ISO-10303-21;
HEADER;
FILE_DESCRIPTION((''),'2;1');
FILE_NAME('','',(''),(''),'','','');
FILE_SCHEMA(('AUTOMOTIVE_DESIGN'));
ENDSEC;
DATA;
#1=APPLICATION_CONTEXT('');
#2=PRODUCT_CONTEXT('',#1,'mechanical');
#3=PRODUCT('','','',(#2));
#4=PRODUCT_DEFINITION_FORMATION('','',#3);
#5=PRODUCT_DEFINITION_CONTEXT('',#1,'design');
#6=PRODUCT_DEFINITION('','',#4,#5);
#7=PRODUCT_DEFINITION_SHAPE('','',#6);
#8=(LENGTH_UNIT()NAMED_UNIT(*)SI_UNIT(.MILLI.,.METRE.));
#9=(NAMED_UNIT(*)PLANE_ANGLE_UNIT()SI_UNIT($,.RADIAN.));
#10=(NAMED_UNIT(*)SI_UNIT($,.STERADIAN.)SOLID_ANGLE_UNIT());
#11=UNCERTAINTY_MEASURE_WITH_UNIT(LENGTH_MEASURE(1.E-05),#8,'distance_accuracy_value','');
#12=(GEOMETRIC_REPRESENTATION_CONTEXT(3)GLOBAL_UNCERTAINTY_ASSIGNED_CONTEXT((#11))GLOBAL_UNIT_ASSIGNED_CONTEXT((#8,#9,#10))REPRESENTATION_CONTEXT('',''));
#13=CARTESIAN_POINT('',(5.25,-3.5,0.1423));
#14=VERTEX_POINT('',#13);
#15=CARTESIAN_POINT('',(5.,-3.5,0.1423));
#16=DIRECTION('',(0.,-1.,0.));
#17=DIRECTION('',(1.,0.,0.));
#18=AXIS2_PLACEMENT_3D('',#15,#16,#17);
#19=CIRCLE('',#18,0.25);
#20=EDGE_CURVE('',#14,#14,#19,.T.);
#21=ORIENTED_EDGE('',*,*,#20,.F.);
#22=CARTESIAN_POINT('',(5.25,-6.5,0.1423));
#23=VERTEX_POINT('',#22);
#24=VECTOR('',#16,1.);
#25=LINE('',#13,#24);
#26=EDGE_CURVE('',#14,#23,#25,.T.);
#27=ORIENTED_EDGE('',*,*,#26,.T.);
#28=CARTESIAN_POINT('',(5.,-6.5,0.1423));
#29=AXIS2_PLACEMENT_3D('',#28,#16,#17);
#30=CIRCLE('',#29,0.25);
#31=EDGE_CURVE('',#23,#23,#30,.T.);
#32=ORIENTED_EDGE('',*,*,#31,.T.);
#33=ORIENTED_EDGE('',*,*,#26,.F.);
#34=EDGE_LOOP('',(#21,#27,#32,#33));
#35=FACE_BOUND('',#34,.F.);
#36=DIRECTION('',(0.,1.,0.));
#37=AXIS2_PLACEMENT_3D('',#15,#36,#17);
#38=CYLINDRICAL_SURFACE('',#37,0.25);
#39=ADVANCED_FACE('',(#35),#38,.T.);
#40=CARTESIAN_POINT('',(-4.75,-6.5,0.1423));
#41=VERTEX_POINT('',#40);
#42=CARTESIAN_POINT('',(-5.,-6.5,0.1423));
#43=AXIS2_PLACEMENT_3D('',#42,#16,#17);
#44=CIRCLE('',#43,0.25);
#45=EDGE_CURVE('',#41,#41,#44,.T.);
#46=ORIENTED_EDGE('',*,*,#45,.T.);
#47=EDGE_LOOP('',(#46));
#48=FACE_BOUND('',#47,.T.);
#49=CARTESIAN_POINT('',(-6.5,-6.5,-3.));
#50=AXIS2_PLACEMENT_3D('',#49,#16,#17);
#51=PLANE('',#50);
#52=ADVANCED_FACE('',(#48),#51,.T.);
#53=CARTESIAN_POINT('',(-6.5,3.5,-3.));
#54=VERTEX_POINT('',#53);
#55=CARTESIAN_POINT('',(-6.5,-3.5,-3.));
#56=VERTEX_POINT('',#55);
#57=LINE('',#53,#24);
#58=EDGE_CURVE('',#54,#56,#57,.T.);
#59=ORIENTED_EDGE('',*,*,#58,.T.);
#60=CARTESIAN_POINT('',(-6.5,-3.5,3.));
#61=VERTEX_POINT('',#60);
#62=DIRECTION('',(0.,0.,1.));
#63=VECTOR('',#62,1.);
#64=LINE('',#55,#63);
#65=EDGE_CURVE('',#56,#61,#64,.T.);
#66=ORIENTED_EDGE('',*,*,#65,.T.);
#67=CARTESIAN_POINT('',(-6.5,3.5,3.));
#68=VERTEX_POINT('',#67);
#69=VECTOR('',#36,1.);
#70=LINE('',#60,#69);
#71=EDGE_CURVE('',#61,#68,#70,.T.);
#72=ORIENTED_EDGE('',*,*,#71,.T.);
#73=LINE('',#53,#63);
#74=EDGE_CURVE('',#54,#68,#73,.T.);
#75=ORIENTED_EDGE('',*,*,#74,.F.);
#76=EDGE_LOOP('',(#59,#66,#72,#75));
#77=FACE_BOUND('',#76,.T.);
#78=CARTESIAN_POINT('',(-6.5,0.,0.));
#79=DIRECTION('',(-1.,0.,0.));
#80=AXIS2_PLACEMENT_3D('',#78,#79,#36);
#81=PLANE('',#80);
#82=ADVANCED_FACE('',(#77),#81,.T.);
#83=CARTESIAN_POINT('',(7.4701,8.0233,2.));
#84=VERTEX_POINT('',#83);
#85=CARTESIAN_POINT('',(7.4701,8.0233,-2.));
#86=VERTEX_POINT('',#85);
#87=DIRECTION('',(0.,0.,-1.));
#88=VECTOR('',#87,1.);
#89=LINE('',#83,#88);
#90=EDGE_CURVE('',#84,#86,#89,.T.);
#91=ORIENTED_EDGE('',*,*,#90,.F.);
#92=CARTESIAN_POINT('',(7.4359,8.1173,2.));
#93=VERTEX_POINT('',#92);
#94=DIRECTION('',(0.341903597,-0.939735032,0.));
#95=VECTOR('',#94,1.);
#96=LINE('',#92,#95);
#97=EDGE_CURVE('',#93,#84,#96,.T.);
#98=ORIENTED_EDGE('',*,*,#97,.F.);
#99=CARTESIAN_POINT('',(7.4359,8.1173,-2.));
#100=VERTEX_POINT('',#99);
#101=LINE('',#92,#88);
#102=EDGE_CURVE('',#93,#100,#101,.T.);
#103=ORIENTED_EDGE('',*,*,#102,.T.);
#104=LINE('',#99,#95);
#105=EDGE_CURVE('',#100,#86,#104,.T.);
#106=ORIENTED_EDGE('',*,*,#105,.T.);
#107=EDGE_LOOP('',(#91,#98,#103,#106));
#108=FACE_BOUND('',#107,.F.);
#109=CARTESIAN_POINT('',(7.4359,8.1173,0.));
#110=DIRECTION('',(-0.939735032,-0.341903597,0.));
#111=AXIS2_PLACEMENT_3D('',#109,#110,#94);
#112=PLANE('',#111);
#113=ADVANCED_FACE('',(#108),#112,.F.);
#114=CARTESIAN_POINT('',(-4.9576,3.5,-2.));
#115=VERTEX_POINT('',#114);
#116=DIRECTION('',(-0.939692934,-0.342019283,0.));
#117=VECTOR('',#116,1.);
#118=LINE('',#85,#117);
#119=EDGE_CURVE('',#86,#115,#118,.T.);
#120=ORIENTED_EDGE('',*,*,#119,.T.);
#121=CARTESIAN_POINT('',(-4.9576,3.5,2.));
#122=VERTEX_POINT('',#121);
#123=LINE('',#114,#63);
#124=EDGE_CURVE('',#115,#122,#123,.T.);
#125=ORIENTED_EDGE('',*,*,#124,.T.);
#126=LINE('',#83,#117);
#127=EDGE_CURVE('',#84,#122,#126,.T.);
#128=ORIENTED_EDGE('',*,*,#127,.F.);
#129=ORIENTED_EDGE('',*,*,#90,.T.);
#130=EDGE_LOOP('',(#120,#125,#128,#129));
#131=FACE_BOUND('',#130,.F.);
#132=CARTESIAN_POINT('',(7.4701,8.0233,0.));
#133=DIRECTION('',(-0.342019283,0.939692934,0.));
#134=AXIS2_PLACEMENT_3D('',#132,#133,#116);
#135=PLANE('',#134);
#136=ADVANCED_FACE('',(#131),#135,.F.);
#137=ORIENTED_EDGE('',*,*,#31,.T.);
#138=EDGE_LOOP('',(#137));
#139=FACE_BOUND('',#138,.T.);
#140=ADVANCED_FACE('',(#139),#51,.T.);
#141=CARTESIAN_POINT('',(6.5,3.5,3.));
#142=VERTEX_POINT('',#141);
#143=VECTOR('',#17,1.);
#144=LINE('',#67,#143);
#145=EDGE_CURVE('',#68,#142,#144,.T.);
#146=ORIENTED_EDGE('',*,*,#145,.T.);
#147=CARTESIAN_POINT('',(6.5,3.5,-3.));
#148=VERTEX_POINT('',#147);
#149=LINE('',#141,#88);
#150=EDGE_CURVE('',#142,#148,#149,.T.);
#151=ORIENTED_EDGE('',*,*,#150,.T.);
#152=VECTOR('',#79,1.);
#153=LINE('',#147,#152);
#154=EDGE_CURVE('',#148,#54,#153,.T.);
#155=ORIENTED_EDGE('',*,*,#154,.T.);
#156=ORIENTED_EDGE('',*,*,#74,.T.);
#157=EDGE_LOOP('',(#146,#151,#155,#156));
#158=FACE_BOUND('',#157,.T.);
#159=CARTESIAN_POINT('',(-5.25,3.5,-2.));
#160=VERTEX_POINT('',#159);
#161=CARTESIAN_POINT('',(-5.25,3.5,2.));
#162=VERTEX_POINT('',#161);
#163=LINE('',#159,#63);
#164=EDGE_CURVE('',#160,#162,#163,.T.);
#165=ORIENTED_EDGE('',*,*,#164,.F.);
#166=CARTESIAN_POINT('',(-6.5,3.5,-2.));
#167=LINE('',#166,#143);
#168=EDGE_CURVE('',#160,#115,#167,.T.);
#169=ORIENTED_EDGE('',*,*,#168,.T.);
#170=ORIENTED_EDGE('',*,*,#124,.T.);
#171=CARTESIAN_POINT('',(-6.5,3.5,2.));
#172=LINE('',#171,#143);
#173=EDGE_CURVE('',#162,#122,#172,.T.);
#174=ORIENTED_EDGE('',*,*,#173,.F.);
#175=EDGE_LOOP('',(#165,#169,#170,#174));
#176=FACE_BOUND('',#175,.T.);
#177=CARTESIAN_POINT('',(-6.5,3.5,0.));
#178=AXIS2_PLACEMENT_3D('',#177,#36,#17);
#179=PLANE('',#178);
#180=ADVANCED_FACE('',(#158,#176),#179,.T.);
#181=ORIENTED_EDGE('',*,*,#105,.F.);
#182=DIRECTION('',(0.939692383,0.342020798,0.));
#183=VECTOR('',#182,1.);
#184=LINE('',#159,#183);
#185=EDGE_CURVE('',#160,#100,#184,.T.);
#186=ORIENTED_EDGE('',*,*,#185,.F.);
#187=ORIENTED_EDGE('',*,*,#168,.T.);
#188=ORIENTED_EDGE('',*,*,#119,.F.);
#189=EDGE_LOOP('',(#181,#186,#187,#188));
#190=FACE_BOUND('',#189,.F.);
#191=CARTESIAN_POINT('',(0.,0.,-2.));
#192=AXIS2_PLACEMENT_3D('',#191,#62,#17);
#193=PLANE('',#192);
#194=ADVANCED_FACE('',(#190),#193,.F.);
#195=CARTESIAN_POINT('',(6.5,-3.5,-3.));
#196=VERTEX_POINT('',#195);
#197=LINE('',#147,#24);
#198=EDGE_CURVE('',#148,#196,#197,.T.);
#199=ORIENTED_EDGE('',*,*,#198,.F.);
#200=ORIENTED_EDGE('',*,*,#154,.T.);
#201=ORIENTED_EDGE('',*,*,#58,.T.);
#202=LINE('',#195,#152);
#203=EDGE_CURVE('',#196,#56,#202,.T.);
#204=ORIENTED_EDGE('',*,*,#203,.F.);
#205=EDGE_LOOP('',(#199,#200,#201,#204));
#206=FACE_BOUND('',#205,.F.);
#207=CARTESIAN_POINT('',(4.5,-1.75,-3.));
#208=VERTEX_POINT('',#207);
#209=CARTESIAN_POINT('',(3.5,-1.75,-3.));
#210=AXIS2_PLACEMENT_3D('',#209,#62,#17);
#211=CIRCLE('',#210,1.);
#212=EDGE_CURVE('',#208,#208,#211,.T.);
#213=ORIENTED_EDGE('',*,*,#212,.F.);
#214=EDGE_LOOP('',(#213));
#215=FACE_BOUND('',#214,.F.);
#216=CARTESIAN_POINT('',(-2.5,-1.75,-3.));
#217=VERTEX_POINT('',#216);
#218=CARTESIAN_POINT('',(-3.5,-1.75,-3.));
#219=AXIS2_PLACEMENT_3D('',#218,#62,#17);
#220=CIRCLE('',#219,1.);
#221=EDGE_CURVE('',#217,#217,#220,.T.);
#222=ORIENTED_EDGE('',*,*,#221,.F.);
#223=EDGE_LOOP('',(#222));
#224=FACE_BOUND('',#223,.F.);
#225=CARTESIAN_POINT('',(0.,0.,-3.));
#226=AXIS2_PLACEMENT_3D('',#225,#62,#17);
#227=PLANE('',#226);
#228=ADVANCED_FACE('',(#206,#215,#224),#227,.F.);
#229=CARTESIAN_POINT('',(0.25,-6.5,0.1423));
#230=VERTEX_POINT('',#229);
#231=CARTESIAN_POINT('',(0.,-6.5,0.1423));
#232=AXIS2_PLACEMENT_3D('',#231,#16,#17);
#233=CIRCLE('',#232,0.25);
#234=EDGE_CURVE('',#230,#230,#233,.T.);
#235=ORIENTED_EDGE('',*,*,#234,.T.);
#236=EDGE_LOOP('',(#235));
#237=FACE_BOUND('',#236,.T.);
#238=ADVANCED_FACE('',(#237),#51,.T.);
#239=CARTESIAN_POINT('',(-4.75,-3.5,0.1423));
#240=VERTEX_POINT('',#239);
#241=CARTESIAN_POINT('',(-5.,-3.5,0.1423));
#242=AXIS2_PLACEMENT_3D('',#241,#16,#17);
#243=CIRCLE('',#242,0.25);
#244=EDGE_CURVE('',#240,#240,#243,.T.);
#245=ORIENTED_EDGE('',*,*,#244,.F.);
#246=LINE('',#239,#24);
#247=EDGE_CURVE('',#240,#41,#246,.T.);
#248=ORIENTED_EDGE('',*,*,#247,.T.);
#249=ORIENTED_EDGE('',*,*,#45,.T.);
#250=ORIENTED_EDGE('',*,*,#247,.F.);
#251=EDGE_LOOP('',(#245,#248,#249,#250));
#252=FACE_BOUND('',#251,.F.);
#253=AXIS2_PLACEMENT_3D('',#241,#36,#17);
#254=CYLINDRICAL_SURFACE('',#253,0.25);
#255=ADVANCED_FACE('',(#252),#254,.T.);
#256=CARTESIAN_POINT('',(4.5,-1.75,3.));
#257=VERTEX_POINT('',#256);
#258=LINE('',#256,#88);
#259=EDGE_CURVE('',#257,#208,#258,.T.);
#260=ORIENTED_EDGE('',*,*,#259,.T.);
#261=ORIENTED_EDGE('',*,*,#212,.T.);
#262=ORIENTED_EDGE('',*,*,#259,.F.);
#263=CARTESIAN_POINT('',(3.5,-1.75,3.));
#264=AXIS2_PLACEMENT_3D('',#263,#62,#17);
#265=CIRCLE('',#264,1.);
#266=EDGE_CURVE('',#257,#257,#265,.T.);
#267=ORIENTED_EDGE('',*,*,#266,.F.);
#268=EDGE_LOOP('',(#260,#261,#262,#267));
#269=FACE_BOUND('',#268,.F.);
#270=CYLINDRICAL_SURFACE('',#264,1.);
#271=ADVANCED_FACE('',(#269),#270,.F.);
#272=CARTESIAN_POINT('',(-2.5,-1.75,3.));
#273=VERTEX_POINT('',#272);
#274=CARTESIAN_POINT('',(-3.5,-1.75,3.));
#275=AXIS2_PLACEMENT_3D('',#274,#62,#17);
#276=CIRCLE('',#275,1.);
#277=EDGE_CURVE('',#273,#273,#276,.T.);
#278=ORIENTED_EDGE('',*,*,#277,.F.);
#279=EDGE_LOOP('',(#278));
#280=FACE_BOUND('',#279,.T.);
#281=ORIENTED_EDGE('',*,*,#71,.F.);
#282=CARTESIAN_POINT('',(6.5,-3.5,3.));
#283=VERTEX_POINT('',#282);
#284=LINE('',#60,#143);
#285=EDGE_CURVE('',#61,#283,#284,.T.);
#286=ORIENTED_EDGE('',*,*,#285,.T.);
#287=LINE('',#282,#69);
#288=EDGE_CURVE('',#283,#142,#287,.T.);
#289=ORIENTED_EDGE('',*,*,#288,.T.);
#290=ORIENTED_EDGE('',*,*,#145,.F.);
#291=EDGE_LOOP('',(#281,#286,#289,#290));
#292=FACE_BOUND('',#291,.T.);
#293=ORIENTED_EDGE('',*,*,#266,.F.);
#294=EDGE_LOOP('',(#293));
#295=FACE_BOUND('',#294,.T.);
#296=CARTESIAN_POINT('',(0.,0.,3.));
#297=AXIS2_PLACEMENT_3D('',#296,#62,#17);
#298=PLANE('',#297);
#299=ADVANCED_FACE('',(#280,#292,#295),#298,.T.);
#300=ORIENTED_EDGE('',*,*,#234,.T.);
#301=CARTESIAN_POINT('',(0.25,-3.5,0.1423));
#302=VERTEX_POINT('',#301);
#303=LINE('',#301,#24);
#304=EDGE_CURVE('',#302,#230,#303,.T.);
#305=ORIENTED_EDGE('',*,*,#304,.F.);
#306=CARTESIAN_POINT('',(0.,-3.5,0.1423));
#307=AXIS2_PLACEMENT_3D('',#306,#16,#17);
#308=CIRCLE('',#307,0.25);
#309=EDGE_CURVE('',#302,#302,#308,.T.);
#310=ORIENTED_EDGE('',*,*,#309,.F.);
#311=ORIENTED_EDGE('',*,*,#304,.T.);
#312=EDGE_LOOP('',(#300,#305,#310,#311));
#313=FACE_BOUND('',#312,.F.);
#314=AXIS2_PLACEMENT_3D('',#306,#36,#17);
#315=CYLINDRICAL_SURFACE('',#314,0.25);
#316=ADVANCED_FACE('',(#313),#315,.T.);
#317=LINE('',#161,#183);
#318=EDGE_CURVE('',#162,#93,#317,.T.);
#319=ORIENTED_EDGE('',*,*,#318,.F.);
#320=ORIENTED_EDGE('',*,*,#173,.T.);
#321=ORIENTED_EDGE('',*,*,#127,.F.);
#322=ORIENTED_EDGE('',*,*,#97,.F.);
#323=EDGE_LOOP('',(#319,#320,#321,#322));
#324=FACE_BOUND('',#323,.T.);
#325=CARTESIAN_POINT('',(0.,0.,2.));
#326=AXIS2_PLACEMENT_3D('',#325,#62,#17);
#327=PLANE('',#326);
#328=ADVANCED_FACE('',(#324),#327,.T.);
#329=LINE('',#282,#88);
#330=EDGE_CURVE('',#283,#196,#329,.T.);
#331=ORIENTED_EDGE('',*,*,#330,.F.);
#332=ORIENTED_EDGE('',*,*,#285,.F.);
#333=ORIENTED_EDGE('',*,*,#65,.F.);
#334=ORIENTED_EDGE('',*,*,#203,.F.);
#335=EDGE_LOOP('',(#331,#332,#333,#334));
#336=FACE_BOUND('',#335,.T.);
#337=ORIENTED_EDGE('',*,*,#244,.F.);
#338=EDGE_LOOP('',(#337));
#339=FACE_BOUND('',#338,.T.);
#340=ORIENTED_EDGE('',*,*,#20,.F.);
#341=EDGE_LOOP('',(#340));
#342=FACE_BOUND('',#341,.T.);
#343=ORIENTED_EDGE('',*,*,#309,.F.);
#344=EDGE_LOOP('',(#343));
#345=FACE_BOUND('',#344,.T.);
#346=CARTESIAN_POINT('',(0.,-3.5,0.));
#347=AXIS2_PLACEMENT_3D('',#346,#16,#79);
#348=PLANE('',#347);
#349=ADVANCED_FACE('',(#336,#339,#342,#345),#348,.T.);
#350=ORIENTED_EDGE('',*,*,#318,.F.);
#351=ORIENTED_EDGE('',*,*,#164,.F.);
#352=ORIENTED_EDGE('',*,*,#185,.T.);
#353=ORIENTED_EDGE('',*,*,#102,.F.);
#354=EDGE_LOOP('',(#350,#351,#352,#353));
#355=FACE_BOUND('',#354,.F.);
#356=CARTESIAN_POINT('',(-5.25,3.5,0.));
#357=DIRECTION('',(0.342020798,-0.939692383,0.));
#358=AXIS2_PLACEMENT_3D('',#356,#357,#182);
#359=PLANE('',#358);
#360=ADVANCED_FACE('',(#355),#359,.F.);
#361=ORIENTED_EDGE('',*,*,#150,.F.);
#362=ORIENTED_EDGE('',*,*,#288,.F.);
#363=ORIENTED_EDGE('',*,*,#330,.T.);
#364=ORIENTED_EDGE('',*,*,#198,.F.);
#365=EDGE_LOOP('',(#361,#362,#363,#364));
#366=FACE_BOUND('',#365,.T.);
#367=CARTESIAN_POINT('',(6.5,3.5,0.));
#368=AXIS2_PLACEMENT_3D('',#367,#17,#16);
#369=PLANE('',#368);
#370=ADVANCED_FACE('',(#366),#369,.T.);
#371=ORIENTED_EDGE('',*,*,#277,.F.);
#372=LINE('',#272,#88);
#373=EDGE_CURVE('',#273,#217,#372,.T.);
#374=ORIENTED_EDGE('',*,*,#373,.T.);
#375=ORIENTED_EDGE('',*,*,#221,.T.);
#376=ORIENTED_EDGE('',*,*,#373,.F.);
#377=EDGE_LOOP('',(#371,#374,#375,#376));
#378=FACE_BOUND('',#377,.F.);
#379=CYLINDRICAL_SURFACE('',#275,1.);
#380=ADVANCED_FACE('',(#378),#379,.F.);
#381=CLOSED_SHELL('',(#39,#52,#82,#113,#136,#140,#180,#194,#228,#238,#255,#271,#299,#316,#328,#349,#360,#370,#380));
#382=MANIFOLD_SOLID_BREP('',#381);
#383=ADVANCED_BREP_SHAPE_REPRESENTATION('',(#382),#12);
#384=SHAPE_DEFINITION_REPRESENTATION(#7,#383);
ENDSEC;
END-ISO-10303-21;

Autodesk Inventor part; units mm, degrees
ref_plane "YZ Plane" through (0, 0, 0) normal (1, 0, 0) x (0, 1, 0)
ref_plane "XZ Plane" through (0, 0, 0) normal (0, 1, 0) x (-1, 0, 0)
ref_plane "XY Plane" through (0, 0, 0) normal (0, 0, 1) x (1, 0, 0)
sketch "Boceto1" plane through (0, 0, 0) normal (0, 0, 1) x (1, 0, 0)
  line L0 (-6.5, 3.5) -> (6.5, 3.5)
  line L1 (6.5, 3.5) -> (6.5, -3.5)
  line L2 (6.5, -3.5) -> (-6.5, -3.5)
  line L3 (-6.5, -3.5) -> (-6.5, 3.5)
  line L4 (0, -4.9) -> (0, 4.9) projected
  line L5 (-9.1, 0) -> (9.1, 0) projected
  point P0 (0, 0)
  dimension "d0" = 13
  dimension "d1" = 7
extrude "Extrusión1" add sketch "Boceto1" along normal mid plane 6
sketch "Boceto2" plane through (0, 0, 3) normal (0, 0, 1) x (1, 0, 0)
  circle A0 centre (3.5, -1.75) radius 1
  circle A1 centre (-3.5, -1.75) radius 1
  line L0 (-6.5, 3.5) -> (-6.5, -3.5) projected
  line L1 (6.5, -3.5) -> (6.5, 3.5) projected
  line L2 (-6.5, -3.5) -> (6.5, -3.5) projected
  point P0 (0, 0)
  dimension "d4" = 2
  dimension "d5" = 2
  dimension "d6" = 3
  dimension "d8" = 3
  dimension "d25" = 1.75
  dimension "d26" = 1.75
extrude "Extrusión2" cut sketch "Boceto2" against normal up to surface (6 mm away)
sketch "Boceto3" plane through (0, 0, 0) normal (0, 0, 1) x (1, 0, 0)
  line L0 (-6.5, 3.5) -> (6.5, 3.5) projected
  line L1 (-6.5, 3.5) -> (-5.25, 3.5)
  line L2 (-5.25, 3.5) -> (7.4359, 8.1173)
  line L3 (7.4359, 8.1173) -> (7.4701, 8.0233)
  line L4 (7.4701, 8.0233) -> (-4.9576, 3.5)
  line L5 (-4.9576, 3.5) -> (-5.25, 3.5)
  point P0 (0, 0)
  dimension "d11" = 1.25
  dimension "d12" = 13.5
  dimension "d13" = 160
  dimension "d14" = 0.1
  dimension "d15" = 90
extrude "Extrusión3" add sketch "Boceto3" against normal mid plane 4
sketch "Boceto4" plane through (-6.5, -3.5, -3) normal (0, -1, 0) x (1, 0, 0)
  circle A0 centre (1.5, 3.1423) radius 0.25
  circle A1 centre (11.5, 3.1423) radius 0.25
  line L0 (0, 0) -> (0, 6) projected
  circle A2 centre (6.5, 3.1423) radius 0.25
  line L1 (13, 6) -> (13, 0) projected
  point P0 (6.5, 3)
  dimension "d18" = 1.5
  dimension "d20" = 0.5
  dimension "d21" = 0.5
  dimension "d22" = 0.5
  dimension "d27" = 1.5
extrude "Extrusión4" add sketch "Boceto4" along normal blind 3
equation "\"d5\" = d4"
equation "\"d26\" = d25"
equation "\"d21\" = d20"
equation "\"d22\" = d21"
properties part number "Micro Switch"
